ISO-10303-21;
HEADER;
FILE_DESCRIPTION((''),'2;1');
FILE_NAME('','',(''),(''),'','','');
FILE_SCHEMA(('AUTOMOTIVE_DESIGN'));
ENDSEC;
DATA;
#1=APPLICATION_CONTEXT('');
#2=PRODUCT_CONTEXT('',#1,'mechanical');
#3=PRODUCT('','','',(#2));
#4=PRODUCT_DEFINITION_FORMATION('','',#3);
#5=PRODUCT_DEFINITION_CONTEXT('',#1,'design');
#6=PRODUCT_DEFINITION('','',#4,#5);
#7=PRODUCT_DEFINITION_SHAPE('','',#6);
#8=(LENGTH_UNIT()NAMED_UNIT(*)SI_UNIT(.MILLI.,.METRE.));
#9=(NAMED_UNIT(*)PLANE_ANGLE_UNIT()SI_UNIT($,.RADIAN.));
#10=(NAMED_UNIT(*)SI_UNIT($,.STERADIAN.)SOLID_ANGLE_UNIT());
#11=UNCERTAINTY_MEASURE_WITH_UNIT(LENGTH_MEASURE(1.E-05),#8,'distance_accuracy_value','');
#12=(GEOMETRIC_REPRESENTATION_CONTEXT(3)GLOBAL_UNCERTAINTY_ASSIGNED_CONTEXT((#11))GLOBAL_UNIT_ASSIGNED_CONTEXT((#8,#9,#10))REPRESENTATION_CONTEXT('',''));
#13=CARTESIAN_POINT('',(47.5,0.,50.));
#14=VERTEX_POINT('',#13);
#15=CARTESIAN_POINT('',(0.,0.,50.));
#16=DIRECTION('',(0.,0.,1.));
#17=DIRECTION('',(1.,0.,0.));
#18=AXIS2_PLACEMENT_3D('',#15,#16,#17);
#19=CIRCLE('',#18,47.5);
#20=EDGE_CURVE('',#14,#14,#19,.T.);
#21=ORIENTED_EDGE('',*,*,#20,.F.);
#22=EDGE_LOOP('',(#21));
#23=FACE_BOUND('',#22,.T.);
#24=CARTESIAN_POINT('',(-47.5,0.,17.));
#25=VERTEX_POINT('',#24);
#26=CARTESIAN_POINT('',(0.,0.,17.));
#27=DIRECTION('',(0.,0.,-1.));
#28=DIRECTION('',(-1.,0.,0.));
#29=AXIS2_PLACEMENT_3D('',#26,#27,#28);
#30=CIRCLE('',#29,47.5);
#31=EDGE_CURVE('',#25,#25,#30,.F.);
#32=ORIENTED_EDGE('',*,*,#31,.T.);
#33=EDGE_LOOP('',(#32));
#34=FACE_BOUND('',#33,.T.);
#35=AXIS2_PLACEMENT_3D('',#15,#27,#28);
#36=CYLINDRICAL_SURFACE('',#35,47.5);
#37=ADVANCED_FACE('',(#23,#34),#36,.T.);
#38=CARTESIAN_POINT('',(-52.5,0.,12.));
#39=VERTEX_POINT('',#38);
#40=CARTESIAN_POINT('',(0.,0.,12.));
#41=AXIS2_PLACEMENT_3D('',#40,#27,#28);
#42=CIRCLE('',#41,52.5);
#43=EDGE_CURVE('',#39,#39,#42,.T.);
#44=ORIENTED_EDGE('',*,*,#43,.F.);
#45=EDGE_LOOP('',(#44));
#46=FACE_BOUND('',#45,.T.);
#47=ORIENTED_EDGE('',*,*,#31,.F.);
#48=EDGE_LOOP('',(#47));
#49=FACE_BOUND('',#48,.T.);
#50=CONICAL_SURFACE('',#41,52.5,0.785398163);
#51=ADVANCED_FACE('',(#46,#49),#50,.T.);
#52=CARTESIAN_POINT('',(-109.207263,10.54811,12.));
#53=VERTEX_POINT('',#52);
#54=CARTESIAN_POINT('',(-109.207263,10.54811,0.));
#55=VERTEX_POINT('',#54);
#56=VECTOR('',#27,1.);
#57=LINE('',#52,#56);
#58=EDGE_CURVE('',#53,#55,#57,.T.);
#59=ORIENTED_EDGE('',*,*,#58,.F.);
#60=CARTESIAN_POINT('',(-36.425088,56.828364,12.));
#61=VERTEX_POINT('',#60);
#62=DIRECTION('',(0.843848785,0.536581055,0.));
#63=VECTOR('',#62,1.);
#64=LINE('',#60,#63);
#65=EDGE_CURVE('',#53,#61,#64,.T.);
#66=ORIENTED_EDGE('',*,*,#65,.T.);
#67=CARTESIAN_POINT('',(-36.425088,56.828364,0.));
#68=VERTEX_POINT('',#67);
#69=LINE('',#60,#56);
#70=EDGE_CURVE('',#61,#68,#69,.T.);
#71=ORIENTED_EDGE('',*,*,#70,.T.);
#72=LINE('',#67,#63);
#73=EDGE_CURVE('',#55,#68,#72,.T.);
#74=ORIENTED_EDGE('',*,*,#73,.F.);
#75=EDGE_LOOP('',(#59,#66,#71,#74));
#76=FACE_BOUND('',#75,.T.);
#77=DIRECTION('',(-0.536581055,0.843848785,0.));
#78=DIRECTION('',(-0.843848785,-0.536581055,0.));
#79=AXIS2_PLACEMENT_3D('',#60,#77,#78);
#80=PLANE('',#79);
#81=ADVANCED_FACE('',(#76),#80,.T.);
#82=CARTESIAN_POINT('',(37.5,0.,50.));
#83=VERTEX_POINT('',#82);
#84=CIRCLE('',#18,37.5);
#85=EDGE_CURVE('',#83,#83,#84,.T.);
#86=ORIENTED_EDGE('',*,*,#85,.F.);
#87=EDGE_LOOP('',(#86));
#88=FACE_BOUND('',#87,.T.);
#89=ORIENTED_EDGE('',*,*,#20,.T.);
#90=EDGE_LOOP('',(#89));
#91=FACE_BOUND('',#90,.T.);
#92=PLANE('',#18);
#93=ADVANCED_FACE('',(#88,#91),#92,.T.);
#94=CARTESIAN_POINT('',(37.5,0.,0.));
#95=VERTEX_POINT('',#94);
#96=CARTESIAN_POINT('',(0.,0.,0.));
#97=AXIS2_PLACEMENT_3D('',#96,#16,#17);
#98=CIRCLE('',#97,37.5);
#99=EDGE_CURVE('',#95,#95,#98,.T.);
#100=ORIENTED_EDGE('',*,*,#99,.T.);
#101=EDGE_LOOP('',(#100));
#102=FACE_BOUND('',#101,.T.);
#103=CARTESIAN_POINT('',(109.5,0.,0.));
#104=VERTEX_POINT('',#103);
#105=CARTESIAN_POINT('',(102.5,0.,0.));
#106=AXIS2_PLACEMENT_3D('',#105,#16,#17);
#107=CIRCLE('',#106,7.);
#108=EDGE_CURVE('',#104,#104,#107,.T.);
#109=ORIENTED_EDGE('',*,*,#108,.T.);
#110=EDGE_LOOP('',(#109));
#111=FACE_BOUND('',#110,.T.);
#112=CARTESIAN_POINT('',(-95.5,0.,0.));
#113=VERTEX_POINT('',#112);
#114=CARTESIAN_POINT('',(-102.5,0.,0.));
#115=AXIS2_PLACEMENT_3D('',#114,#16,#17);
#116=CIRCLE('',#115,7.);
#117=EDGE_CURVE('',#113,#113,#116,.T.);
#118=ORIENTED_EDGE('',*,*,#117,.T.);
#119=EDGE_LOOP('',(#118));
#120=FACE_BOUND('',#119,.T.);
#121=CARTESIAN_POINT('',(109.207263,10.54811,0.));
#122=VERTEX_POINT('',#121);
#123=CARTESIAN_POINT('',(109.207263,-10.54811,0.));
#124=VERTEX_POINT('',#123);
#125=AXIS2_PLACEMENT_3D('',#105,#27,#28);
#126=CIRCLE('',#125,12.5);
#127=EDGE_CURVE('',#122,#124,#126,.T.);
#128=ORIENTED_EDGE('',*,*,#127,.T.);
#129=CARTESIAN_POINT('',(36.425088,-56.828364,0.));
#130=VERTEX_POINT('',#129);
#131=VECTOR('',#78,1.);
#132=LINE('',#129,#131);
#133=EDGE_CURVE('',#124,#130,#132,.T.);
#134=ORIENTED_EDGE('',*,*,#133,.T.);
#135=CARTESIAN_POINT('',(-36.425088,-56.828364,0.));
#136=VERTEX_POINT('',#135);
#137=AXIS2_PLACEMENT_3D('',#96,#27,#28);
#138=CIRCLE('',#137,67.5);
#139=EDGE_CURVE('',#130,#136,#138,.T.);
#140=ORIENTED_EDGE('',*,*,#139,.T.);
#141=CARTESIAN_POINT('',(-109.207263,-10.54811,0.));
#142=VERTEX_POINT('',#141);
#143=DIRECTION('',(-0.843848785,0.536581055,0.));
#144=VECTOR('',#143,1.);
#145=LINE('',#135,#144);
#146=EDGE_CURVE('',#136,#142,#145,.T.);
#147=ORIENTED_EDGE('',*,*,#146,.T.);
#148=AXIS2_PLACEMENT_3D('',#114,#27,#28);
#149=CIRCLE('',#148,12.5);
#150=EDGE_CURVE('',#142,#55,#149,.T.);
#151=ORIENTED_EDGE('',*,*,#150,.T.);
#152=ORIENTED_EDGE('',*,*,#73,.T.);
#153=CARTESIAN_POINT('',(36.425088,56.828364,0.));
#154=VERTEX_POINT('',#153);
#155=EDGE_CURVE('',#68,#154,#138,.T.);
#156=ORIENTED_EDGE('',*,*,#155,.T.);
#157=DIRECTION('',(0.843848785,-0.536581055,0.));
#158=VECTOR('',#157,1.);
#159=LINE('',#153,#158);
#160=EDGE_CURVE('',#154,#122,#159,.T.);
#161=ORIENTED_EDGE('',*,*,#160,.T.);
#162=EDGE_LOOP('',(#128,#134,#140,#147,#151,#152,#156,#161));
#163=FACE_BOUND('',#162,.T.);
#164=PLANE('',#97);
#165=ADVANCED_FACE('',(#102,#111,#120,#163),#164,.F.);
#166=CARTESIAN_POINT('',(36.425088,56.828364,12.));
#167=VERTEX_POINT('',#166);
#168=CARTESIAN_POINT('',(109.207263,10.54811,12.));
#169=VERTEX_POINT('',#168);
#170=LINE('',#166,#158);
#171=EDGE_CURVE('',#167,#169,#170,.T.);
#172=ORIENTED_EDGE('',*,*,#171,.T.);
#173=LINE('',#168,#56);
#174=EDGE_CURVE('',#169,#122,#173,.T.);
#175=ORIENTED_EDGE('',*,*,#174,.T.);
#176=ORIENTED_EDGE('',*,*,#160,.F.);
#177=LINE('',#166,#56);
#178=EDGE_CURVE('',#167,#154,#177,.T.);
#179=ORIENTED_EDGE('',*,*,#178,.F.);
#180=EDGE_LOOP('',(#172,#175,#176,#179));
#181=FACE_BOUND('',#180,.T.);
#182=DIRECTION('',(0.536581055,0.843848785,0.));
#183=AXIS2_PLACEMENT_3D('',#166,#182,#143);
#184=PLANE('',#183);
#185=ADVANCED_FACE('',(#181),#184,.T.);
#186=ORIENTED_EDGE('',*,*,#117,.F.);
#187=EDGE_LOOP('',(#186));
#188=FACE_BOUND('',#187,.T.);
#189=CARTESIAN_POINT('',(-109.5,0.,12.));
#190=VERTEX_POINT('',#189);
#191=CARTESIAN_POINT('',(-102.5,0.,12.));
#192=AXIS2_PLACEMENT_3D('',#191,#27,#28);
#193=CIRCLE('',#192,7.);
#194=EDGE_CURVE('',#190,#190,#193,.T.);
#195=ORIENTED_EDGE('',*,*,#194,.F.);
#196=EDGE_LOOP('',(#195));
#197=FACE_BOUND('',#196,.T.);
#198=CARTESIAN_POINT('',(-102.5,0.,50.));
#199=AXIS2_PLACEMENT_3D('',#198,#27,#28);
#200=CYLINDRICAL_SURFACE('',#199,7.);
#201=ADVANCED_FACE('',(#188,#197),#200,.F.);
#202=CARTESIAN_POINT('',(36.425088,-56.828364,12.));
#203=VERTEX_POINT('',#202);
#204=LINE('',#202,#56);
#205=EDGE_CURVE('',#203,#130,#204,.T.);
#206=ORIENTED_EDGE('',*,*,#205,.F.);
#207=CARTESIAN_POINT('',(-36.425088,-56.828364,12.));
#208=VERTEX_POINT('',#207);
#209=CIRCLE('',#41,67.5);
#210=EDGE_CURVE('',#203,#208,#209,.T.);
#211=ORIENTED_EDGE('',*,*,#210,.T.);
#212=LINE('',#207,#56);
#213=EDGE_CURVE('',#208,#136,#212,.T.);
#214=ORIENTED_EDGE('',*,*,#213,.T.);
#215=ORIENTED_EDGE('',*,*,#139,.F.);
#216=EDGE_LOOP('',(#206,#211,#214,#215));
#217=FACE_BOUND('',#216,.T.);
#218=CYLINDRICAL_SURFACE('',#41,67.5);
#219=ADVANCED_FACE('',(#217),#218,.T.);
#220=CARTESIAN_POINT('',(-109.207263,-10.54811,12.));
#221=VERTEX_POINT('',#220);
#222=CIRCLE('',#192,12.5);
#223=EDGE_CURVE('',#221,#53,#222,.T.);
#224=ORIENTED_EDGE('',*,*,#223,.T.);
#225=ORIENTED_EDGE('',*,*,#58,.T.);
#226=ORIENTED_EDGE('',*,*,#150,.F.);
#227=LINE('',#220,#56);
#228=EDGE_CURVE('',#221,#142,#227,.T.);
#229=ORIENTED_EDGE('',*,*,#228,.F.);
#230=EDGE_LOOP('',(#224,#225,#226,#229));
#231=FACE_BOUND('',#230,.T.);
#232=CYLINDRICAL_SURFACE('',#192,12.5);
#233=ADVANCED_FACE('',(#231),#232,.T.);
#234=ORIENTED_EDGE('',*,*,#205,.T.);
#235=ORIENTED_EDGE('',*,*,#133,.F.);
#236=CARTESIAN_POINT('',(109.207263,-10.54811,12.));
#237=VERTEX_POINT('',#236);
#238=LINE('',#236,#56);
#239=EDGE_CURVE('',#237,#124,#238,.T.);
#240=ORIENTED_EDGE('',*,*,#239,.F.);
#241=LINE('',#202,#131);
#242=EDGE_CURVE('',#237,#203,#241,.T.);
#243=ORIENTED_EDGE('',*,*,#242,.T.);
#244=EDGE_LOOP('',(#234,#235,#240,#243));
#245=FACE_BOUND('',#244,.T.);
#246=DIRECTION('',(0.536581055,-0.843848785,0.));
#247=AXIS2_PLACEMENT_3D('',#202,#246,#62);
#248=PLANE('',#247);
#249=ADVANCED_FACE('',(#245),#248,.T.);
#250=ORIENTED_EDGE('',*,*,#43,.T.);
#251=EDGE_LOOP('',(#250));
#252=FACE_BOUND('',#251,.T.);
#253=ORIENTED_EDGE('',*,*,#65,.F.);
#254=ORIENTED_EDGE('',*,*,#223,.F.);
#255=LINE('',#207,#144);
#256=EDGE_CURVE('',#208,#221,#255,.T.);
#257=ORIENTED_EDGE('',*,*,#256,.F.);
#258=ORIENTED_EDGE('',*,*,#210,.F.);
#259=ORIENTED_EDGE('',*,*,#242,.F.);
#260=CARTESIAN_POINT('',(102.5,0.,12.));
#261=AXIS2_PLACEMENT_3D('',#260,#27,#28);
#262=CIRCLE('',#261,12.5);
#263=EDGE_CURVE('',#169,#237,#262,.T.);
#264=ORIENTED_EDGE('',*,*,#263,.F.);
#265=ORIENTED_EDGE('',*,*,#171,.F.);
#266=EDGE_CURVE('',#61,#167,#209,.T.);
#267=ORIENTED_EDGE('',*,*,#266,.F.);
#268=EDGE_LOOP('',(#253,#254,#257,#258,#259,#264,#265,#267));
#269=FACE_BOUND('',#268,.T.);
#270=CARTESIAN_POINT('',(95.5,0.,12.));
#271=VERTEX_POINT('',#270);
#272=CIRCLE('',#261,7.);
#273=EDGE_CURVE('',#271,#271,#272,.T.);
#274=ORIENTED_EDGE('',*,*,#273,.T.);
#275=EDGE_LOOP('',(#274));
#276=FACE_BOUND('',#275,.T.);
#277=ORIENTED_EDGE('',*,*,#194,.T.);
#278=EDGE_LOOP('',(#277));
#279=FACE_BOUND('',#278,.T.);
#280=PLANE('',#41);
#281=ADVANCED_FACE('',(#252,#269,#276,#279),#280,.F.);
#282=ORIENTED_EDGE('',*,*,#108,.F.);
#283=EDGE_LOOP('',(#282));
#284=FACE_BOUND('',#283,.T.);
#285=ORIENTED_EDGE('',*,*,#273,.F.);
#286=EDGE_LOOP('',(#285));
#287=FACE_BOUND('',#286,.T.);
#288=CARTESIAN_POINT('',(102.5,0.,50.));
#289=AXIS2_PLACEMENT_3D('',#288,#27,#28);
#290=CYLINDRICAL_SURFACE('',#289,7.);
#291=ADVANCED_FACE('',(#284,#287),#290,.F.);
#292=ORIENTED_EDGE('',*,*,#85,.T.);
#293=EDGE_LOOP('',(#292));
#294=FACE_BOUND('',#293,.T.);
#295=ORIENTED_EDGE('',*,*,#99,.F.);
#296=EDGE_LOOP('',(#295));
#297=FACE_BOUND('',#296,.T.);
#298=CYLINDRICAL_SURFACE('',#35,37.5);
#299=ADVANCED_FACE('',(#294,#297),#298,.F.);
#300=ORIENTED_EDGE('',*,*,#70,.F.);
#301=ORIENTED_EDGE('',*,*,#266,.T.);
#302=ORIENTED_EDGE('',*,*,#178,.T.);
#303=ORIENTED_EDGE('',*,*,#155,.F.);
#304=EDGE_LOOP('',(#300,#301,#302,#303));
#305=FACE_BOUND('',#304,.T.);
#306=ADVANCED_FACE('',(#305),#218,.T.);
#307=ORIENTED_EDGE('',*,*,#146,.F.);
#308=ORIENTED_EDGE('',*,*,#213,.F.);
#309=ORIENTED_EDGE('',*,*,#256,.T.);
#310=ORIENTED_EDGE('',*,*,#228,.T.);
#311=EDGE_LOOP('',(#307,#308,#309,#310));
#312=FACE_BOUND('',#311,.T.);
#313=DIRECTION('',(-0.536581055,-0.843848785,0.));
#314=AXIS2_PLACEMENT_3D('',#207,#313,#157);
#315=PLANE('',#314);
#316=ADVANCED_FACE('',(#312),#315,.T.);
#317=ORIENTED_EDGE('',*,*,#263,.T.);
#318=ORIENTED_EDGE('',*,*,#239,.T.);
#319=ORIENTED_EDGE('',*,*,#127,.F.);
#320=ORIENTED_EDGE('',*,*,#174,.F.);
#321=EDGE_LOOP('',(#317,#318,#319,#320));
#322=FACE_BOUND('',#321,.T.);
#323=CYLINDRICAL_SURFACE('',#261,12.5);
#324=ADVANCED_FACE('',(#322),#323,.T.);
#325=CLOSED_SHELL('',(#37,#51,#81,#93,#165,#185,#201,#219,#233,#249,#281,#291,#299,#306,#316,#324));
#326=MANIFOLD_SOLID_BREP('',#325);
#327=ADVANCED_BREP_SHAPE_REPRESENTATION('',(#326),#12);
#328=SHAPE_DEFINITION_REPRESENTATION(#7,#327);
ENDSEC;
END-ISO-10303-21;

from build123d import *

# Parameters (mm, degrees)
SKETCH1_R               = 47.5
SKETCH1_R_2             = 37.5
BOSS_EXTRUDE1_DEPTH     = 50
SKETCH2_R               = 47.5
BOSS_EXTRUDE2_DEPTH     = 12
CUT_EXTRUDE1_DEPTH      = 143.412253686
CUT_EXTRUDE1_DEPTH_BACK = 143.412253686
SKETCH3_R               = 7
CHAMFER1_SIZE           = 5


with BuildPart() as part:
    # Sketch1 → Boss-Extrude1 (new body)
    with BuildSketch(Plane.XY):
        Circle(SKETCH1_R)
        Circle(SKETCH1_R_2, mode=Mode.SUBTRACT)
    extrude(amount=BOSS_EXTRUDE1_DEPTH)

    # Sketch2 → Boss-Extrude2 (add)
    with BuildSketch(Plane(origin=(0, 0, 0), x_dir=(-1, 0, 0), z_dir=(0, 0, -1))):
        with BuildLine():
            Line((36.425087952, -56.828364112), (109.207263185, -10.54810981))
            ThreePointArc((109.207263185, -10.54810981), (115, 0), (109.207263185, 10.54810981))
            Line((109.207263185, 10.54810981), (36.425087952, 56.828364112))
            ThreePointArc((36.425087952, 56.828364112), (0, 67.5), (-36.425087952, 56.828364112))
            Line((-36.425087952, 56.828364112), (-109.207263185, 10.54810981))
            ThreePointArc((-109.207263185, 10.54810981), (-115, 0), (-109.207263185, -10.54810981))
            Line((-109.207263185, -10.54810981), (-36.425087952, -56.828364112))
            ThreePointArc((-36.425087952, -56.828364112), (0, -67.5), (36.425087952, -56.828364112))
        make_face()
        Circle(SKETCH2_R, mode=Mode.SUBTRACT)
    extrude(amount=-BOSS_EXTRUDE2_DEPTH)

    # Sketch3 → Cut-Extrude1 (cut, two sides: drawn at the far end of the back side and taken through both)
    with BuildSketch(Plane(origin=(0, 0, 0), x_dir=(-1, 0, 0), z_dir=(0, 0, -1)).offset(-CUT_EXTRUDE1_DEPTH_BACK)):
        with Locations((102.5, 0)):
            Circle(SKETCH3_R)
        with Locations((-102.5, 0)):
            Circle(SKETCH3_R)
    extrude(amount=CUT_EXTRUDE1_DEPTH + CUT_EXTRUDE1_DEPTH_BACK, mode=Mode.SUBTRACT)

    # Chamfer1
    chamfer1_edges = [part.edges().sort_by_distance(p)[0] for p in [
        (-47.5, 0, 12),
    ]]
    chamfer(chamfer1_edges, length=CHAMFER1_SIZE)


solid = part.part
